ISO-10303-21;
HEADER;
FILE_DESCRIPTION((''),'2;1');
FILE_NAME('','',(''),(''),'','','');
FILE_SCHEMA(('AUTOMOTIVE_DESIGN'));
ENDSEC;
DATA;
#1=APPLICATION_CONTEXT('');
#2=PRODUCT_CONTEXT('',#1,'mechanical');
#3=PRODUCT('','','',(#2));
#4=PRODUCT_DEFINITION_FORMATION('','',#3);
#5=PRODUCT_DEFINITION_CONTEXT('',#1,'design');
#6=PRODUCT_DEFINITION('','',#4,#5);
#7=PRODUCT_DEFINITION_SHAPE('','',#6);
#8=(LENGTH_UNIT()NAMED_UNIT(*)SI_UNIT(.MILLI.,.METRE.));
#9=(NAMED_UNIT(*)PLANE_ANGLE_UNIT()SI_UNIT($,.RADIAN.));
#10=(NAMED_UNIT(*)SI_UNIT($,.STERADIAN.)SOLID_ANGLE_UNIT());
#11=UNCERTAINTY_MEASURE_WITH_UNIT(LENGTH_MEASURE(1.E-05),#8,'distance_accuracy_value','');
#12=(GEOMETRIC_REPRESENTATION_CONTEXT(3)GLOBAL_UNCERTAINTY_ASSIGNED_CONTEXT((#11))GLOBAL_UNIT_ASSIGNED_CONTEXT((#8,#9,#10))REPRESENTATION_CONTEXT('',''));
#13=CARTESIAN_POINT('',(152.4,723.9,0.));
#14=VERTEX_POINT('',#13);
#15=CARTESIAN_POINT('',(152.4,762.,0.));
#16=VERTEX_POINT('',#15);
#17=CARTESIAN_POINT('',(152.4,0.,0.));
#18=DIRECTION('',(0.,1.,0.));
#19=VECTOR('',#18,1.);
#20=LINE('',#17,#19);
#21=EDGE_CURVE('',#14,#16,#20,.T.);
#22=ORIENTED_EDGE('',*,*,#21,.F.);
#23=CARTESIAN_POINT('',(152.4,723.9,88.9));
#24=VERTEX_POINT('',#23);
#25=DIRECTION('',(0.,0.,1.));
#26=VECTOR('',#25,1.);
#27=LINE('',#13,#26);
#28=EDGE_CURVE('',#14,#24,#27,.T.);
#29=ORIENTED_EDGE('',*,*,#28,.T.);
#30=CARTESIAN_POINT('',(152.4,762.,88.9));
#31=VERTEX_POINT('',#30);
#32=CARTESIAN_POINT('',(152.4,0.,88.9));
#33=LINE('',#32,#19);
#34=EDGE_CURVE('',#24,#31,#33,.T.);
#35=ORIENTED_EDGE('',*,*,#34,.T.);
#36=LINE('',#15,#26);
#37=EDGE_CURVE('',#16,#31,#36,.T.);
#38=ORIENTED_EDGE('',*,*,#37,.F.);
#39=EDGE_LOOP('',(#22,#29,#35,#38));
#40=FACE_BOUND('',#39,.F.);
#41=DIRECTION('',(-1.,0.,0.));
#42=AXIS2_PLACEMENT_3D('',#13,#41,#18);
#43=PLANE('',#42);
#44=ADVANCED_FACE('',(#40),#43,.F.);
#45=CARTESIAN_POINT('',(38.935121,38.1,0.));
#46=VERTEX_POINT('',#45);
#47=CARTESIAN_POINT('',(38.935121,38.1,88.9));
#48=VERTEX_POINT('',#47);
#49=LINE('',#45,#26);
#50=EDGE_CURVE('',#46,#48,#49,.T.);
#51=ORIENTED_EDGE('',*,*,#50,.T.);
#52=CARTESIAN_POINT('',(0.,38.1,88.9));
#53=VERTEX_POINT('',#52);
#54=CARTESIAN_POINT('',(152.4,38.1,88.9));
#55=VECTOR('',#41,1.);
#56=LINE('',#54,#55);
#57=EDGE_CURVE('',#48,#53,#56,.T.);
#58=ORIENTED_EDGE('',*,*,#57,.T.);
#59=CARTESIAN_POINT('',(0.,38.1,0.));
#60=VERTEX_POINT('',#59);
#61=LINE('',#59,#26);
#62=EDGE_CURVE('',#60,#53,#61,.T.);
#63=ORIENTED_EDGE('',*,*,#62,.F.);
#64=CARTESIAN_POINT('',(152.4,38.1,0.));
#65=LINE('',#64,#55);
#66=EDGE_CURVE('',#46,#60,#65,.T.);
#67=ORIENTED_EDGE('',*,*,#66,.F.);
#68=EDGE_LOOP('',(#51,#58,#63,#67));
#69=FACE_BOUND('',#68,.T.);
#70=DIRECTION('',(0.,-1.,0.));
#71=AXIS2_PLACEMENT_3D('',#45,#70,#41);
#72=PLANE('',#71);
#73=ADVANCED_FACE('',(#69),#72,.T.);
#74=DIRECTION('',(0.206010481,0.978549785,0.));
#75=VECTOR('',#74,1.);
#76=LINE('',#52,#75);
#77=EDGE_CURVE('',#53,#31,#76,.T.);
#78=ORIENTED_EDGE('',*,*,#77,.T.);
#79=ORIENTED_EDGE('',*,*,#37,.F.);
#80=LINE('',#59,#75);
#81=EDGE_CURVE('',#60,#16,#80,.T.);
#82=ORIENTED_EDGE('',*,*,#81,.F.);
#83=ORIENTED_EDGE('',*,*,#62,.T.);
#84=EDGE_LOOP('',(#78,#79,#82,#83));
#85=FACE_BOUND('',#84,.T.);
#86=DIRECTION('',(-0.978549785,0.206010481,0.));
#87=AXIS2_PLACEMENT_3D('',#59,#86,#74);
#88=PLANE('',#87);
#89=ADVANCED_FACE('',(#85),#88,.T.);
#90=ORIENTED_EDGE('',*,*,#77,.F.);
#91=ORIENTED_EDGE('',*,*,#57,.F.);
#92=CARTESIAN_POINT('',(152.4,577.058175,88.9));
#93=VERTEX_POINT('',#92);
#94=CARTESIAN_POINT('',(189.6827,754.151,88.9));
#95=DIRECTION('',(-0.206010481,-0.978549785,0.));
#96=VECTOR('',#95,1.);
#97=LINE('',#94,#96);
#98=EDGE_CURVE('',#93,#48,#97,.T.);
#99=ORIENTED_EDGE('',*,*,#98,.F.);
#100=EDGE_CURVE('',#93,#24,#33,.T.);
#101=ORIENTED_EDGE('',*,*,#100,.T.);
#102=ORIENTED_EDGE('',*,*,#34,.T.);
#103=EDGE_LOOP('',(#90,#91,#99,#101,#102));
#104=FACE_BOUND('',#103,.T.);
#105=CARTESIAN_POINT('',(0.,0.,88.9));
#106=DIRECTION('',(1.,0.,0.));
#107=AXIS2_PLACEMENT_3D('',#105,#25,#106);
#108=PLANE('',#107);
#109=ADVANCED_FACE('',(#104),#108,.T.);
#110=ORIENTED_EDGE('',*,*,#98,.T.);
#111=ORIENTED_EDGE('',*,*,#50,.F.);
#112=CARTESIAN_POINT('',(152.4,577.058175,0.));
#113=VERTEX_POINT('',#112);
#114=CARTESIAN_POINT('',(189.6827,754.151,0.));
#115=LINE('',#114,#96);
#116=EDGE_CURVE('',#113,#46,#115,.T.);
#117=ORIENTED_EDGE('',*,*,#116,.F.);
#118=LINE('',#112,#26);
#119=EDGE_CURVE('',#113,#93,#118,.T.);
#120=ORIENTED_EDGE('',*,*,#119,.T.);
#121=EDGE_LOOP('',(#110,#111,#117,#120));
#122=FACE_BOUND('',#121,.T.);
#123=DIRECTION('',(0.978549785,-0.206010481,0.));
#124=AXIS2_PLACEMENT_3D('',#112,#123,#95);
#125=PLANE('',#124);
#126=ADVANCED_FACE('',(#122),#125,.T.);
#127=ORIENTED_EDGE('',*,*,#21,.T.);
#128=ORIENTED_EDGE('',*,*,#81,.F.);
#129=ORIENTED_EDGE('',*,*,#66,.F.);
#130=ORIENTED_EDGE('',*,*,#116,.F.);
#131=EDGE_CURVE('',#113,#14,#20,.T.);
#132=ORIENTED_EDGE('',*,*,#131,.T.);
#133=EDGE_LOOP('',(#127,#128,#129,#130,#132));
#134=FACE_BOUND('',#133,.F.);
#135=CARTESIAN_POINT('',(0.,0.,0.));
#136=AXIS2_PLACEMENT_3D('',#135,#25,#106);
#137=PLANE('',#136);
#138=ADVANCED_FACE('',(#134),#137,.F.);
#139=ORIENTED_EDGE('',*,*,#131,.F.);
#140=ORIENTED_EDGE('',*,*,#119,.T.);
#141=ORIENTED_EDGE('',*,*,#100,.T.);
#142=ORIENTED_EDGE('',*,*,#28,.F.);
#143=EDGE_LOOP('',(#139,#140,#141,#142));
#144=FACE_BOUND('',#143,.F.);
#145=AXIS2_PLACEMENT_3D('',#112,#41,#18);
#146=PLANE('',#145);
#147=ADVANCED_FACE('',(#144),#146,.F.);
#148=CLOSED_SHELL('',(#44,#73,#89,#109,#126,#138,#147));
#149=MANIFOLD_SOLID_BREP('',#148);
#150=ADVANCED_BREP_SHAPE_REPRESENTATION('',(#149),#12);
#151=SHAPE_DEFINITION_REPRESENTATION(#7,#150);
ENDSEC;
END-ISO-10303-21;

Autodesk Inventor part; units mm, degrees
ref_plane "YZ Plane" through (0, 0, 0) normal (1, 0, 0) x (0, 1, 0)
ref_plane "XZ Plane" through (0, 0, 0) normal (0, 1, 0) x (-1, 0, 0)
ref_plane "XY Plane" through (0, 0, 0) normal (0, 0, 1) x (1, 0, 0)
sketch "Sketch1" plane through (0, 0, 0) normal (0, 0, 1) x (1, 0, 0)
  line L0 (0, 0) -> (1219.2, 0)
  line L1 (0, 0) -> (152.4, 0)
  line L2 (152.4, 0) -> (152.4, 762)
  line L3 (152.4, 762) -> (1066.8, 762)
  line L4 (1066.8, 762) -> (1066.8, 0)
  line L5 (152.4, 762) -> (152.4, 723.9)
  line L6 (152.4, 723.9) -> (1066.8, 723.9)
  line L7 (152.4, 0) -> (152.4, 38.1)
  line L8 (152.4, 38.1) -> (1066.8, 38.1)
  line L9 (1066.8, 38.1) -> (1219.2, 38.1)
  line L10 (1219.2, 38.1) -> (1219.2, 0)
  line L11 (152.4, 38.1) -> (0, 38.1)
  line L12 (0, 38.1) -> (0, 0)
  line L13 (0, 38.1) -> (152.4, 762)
  line L14 (1219.2, 38.1) -> (1066.8, 762)
  line L15 (0, 38.1) -> (37.2827, 30.251)
  line L16 (152.4, 762) -> (189.6827, 754.151)
  line L17 (189.6827, 754.151) -> (37.2827, 30.251)
  point P0 (38.9352, 38.1)
  point P1 (152.4, 577.058)
  dimension "d0" = 1219.2
  dimension "d1" = 152.4
  dimension "d2" = 762
  dimension "d3" = 914.4
  dimension "d4" = 38.1
  dimension "d5" = 38.1
  dimension "d6" = 38.1
  dimension "d7" = 38.1
extrude "Extrusion1" add sketch "Sketch1" along normal blind 88.9 contours L13 L2 L17 L11
properties part number "S_2x4x29.334"
